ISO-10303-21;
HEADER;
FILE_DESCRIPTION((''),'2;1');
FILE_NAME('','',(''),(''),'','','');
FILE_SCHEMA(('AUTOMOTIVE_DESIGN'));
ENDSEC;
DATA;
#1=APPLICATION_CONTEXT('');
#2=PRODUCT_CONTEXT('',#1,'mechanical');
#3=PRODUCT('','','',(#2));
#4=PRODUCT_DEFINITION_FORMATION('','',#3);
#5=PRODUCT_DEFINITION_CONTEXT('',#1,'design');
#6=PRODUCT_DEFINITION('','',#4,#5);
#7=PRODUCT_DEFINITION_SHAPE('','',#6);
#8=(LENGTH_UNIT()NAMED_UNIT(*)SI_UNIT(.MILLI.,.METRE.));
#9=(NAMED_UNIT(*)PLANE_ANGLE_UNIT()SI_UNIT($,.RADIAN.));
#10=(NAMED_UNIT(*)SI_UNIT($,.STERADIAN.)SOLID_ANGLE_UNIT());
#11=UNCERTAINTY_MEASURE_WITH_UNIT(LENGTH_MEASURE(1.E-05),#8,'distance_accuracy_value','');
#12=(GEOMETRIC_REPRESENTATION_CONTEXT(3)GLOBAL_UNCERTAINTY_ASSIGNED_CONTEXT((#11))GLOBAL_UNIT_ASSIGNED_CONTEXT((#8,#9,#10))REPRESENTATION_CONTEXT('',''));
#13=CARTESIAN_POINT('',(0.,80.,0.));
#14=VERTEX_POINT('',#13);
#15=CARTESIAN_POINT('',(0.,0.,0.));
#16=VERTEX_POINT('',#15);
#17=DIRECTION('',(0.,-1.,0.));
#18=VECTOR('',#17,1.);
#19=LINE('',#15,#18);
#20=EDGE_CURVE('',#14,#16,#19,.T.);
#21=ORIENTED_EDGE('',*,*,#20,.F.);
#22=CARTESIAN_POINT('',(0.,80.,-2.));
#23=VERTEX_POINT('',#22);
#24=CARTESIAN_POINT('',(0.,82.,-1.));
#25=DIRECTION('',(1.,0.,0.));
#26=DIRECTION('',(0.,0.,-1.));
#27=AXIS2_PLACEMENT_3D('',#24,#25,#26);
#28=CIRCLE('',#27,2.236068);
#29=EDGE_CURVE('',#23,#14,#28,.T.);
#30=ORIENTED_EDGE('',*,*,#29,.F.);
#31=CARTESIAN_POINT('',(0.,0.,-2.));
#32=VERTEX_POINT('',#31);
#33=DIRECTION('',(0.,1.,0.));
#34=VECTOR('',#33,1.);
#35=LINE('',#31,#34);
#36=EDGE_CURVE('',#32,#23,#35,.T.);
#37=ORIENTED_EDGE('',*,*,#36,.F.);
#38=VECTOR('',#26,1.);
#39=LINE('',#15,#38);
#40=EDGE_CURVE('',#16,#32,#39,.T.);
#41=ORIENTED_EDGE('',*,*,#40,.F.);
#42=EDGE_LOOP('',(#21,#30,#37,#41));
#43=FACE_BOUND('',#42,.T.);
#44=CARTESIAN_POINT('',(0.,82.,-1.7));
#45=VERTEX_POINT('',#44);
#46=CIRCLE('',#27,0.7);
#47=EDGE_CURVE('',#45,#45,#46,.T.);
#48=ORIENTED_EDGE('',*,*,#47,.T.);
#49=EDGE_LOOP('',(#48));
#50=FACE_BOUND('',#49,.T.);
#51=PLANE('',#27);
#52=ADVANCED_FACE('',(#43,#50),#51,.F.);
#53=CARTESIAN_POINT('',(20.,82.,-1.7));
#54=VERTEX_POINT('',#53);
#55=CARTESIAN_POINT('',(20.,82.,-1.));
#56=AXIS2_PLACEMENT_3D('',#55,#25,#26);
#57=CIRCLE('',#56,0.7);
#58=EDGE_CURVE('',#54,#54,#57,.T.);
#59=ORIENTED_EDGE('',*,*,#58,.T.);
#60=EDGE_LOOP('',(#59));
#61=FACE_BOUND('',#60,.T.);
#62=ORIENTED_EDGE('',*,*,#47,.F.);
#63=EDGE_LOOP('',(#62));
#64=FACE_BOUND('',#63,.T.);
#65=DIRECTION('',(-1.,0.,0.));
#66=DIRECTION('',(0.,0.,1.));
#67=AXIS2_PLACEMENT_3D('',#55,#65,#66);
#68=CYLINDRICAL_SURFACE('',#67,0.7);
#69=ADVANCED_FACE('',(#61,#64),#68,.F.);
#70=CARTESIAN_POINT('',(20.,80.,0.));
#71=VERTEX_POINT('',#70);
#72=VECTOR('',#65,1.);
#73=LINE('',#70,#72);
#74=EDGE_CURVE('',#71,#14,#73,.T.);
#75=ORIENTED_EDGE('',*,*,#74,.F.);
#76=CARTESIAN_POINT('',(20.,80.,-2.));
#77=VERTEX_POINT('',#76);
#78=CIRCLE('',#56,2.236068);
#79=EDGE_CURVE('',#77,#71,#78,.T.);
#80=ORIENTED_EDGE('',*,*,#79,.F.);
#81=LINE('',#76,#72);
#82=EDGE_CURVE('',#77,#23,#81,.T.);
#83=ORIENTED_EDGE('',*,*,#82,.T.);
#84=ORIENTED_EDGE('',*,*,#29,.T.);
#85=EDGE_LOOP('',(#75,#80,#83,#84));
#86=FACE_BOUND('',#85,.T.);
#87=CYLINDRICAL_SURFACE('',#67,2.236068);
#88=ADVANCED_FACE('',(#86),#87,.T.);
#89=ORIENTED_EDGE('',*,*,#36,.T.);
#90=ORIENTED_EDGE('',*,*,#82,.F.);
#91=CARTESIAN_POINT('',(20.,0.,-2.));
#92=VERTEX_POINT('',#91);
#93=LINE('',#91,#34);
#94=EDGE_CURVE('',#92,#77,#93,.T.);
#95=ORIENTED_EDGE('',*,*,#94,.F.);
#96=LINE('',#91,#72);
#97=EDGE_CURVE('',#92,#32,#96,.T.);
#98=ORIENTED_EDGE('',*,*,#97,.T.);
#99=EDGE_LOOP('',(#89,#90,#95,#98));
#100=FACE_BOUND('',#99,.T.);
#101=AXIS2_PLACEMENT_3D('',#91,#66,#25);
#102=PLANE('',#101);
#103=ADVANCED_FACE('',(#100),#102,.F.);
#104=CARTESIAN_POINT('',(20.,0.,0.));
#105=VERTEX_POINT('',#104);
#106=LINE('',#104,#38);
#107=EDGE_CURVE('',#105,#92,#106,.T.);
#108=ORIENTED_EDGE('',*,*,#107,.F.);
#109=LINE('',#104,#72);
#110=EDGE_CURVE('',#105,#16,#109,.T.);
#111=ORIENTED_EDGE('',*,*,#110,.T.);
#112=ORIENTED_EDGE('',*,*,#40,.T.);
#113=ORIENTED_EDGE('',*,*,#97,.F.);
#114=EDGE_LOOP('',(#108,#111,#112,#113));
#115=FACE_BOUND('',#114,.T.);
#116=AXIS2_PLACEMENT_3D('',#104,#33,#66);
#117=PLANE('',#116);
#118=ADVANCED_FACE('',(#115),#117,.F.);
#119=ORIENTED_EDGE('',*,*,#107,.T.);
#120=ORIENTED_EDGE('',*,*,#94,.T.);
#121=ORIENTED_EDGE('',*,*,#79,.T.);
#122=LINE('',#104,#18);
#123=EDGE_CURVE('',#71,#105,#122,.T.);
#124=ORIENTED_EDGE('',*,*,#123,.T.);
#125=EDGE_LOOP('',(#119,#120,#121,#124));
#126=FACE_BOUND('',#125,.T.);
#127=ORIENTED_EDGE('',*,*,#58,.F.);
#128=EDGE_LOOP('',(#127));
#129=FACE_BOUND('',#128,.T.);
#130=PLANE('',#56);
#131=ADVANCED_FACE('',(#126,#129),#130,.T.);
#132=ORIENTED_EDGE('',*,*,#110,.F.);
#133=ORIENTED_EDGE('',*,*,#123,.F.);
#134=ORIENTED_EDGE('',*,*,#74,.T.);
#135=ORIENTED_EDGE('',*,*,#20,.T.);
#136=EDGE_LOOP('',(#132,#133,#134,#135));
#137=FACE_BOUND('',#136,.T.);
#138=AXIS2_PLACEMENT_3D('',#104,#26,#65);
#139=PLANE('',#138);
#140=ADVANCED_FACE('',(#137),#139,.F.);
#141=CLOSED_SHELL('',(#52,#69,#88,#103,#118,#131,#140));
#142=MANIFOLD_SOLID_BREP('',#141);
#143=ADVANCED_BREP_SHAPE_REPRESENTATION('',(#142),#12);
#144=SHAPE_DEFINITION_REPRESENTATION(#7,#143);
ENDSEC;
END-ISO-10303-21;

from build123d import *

# Parameters (mm, degrees)
SKETCH2_R           = 0.7
BOSS_EXTRUDE1_DEPTH = 20


with BuildPart() as part:
    # Sketch2 → Boss-Extrude1 (new body)
    with BuildSketch(Plane(origin=(0, 0, 0), x_dir=(0, 0, -1), z_dir=(1, 0, 0))):
        with BuildLine():
            Line((0, 0), (2, 0))
            Line((2, 0), (2, 80))
            ThreePointArc((2, 80), (1, 84.236067977), (0, 80))
            Line((0, 80), (0, 0))
        make_face()
        with Locations((1, 82)):
            Circle(SKETCH2_R, mode=Mode.SUBTRACT)
    extrude(amount=BOSS_EXTRUDE1_DEPTH)


solid = part.part
